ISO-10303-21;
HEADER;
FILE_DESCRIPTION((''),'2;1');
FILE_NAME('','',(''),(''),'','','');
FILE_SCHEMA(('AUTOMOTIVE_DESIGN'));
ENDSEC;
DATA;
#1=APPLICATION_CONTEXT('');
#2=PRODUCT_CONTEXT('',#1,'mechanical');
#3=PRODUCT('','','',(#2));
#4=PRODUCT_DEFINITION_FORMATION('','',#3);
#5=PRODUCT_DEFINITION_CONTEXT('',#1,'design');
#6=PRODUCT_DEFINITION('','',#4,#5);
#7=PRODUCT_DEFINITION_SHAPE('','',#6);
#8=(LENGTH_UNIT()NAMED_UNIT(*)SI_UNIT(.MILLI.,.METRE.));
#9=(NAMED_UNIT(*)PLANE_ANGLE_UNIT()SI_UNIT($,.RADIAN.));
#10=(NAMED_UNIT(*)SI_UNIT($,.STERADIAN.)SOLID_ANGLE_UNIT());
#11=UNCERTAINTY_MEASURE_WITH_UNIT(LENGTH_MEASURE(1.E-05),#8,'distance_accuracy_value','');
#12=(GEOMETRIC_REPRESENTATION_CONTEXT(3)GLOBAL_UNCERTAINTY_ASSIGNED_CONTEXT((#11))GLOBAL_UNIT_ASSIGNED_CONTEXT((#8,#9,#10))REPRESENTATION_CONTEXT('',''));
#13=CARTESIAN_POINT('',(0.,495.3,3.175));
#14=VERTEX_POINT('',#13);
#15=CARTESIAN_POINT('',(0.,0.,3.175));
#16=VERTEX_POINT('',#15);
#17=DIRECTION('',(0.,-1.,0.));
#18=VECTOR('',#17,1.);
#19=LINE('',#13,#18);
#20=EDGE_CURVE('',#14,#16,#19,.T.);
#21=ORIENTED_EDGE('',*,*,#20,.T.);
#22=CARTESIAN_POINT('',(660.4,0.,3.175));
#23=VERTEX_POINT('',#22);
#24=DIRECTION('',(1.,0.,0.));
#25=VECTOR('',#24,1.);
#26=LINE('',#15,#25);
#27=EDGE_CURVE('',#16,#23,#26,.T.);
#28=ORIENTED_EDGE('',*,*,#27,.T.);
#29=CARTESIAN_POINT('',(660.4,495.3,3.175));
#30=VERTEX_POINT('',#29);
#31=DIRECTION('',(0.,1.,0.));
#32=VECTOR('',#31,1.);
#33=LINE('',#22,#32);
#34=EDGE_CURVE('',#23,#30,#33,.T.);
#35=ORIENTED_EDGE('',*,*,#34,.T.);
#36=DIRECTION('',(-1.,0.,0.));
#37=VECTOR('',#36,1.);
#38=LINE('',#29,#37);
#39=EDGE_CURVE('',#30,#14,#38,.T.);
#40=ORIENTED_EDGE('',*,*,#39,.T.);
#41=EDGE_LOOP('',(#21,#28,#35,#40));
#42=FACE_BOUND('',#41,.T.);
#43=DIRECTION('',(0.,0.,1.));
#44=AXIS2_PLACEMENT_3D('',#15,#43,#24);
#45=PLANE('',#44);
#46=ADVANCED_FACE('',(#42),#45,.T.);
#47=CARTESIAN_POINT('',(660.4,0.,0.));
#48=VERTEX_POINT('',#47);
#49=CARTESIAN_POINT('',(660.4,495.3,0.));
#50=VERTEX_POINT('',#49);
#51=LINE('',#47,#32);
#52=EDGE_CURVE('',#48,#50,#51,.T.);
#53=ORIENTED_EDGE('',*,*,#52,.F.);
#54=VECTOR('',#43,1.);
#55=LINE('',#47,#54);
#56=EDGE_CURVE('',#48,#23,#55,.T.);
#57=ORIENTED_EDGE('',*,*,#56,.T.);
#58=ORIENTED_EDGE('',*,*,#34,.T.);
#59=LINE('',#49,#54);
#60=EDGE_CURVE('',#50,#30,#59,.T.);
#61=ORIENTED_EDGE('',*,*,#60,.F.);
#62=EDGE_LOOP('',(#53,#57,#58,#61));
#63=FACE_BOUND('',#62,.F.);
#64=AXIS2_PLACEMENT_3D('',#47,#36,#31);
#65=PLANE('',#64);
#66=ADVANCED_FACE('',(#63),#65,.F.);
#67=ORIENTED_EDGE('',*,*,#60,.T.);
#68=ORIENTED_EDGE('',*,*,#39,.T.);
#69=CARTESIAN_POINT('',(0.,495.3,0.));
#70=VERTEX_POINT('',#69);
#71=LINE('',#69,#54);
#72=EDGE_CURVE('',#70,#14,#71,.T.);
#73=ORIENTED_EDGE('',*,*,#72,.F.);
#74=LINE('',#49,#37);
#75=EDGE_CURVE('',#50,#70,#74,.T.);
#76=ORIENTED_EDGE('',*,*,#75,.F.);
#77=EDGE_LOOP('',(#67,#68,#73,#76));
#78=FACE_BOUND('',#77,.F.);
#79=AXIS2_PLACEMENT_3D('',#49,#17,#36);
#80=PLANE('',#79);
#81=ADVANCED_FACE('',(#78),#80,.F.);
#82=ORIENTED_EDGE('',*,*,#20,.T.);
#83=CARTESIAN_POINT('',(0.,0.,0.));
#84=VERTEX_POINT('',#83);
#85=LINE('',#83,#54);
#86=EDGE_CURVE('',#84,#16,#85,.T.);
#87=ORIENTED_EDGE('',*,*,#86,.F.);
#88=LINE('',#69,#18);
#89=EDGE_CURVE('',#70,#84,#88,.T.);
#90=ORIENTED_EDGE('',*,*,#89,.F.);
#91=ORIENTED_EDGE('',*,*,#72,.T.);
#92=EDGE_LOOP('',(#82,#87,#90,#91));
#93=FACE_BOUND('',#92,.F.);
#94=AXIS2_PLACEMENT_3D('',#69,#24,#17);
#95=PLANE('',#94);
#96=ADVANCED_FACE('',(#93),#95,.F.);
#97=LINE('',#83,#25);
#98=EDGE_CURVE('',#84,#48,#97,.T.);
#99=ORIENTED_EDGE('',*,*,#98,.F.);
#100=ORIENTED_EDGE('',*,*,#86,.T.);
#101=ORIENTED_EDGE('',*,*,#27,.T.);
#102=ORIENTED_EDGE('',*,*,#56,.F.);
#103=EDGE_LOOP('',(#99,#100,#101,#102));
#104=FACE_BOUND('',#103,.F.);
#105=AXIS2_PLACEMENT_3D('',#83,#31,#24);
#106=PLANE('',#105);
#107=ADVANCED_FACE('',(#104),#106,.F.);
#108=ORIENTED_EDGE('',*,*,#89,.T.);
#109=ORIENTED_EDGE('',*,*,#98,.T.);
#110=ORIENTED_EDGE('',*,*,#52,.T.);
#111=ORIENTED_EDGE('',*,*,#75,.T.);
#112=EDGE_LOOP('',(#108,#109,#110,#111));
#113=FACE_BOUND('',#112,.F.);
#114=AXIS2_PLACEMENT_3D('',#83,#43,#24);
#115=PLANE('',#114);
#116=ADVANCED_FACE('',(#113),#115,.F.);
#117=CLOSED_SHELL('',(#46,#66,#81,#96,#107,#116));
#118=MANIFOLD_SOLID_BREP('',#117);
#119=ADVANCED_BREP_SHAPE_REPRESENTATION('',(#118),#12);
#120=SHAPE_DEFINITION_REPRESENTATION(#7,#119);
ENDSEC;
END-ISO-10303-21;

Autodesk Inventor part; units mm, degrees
ref_plane "YZ Plane" through (0, 0, 0) normal (1, 0, 0) x (0, 1, 0)
ref_plane "XZ Plane" through (0, 0, 0) normal (0, 1, 0) x (-1, 0, 0)
ref_plane "XY Plane" through (0, 0, 0) normal (0, 0, 1) x (1, 0, 0)
sketch "Sketch1" plane through (0, 0, 0) normal (0, 0, 1) x (1, 0, 0)
  line L0 (0, 0) -> (660.4, 0)
  line L1 (660.4, 0) -> (660.4, 495.3)
  line L2 (660.4, 495.3) -> (0, 495.3)
  line L3 (0, 495.3) -> (0, 0)
  dimension "d0" = 660.4
  dimension "d1" = 495.3
extrude "Extrusion1" add sketch "Sketch1" along normal blind 3.175
properties part number "mountPlate" material "Steel, Mild"
